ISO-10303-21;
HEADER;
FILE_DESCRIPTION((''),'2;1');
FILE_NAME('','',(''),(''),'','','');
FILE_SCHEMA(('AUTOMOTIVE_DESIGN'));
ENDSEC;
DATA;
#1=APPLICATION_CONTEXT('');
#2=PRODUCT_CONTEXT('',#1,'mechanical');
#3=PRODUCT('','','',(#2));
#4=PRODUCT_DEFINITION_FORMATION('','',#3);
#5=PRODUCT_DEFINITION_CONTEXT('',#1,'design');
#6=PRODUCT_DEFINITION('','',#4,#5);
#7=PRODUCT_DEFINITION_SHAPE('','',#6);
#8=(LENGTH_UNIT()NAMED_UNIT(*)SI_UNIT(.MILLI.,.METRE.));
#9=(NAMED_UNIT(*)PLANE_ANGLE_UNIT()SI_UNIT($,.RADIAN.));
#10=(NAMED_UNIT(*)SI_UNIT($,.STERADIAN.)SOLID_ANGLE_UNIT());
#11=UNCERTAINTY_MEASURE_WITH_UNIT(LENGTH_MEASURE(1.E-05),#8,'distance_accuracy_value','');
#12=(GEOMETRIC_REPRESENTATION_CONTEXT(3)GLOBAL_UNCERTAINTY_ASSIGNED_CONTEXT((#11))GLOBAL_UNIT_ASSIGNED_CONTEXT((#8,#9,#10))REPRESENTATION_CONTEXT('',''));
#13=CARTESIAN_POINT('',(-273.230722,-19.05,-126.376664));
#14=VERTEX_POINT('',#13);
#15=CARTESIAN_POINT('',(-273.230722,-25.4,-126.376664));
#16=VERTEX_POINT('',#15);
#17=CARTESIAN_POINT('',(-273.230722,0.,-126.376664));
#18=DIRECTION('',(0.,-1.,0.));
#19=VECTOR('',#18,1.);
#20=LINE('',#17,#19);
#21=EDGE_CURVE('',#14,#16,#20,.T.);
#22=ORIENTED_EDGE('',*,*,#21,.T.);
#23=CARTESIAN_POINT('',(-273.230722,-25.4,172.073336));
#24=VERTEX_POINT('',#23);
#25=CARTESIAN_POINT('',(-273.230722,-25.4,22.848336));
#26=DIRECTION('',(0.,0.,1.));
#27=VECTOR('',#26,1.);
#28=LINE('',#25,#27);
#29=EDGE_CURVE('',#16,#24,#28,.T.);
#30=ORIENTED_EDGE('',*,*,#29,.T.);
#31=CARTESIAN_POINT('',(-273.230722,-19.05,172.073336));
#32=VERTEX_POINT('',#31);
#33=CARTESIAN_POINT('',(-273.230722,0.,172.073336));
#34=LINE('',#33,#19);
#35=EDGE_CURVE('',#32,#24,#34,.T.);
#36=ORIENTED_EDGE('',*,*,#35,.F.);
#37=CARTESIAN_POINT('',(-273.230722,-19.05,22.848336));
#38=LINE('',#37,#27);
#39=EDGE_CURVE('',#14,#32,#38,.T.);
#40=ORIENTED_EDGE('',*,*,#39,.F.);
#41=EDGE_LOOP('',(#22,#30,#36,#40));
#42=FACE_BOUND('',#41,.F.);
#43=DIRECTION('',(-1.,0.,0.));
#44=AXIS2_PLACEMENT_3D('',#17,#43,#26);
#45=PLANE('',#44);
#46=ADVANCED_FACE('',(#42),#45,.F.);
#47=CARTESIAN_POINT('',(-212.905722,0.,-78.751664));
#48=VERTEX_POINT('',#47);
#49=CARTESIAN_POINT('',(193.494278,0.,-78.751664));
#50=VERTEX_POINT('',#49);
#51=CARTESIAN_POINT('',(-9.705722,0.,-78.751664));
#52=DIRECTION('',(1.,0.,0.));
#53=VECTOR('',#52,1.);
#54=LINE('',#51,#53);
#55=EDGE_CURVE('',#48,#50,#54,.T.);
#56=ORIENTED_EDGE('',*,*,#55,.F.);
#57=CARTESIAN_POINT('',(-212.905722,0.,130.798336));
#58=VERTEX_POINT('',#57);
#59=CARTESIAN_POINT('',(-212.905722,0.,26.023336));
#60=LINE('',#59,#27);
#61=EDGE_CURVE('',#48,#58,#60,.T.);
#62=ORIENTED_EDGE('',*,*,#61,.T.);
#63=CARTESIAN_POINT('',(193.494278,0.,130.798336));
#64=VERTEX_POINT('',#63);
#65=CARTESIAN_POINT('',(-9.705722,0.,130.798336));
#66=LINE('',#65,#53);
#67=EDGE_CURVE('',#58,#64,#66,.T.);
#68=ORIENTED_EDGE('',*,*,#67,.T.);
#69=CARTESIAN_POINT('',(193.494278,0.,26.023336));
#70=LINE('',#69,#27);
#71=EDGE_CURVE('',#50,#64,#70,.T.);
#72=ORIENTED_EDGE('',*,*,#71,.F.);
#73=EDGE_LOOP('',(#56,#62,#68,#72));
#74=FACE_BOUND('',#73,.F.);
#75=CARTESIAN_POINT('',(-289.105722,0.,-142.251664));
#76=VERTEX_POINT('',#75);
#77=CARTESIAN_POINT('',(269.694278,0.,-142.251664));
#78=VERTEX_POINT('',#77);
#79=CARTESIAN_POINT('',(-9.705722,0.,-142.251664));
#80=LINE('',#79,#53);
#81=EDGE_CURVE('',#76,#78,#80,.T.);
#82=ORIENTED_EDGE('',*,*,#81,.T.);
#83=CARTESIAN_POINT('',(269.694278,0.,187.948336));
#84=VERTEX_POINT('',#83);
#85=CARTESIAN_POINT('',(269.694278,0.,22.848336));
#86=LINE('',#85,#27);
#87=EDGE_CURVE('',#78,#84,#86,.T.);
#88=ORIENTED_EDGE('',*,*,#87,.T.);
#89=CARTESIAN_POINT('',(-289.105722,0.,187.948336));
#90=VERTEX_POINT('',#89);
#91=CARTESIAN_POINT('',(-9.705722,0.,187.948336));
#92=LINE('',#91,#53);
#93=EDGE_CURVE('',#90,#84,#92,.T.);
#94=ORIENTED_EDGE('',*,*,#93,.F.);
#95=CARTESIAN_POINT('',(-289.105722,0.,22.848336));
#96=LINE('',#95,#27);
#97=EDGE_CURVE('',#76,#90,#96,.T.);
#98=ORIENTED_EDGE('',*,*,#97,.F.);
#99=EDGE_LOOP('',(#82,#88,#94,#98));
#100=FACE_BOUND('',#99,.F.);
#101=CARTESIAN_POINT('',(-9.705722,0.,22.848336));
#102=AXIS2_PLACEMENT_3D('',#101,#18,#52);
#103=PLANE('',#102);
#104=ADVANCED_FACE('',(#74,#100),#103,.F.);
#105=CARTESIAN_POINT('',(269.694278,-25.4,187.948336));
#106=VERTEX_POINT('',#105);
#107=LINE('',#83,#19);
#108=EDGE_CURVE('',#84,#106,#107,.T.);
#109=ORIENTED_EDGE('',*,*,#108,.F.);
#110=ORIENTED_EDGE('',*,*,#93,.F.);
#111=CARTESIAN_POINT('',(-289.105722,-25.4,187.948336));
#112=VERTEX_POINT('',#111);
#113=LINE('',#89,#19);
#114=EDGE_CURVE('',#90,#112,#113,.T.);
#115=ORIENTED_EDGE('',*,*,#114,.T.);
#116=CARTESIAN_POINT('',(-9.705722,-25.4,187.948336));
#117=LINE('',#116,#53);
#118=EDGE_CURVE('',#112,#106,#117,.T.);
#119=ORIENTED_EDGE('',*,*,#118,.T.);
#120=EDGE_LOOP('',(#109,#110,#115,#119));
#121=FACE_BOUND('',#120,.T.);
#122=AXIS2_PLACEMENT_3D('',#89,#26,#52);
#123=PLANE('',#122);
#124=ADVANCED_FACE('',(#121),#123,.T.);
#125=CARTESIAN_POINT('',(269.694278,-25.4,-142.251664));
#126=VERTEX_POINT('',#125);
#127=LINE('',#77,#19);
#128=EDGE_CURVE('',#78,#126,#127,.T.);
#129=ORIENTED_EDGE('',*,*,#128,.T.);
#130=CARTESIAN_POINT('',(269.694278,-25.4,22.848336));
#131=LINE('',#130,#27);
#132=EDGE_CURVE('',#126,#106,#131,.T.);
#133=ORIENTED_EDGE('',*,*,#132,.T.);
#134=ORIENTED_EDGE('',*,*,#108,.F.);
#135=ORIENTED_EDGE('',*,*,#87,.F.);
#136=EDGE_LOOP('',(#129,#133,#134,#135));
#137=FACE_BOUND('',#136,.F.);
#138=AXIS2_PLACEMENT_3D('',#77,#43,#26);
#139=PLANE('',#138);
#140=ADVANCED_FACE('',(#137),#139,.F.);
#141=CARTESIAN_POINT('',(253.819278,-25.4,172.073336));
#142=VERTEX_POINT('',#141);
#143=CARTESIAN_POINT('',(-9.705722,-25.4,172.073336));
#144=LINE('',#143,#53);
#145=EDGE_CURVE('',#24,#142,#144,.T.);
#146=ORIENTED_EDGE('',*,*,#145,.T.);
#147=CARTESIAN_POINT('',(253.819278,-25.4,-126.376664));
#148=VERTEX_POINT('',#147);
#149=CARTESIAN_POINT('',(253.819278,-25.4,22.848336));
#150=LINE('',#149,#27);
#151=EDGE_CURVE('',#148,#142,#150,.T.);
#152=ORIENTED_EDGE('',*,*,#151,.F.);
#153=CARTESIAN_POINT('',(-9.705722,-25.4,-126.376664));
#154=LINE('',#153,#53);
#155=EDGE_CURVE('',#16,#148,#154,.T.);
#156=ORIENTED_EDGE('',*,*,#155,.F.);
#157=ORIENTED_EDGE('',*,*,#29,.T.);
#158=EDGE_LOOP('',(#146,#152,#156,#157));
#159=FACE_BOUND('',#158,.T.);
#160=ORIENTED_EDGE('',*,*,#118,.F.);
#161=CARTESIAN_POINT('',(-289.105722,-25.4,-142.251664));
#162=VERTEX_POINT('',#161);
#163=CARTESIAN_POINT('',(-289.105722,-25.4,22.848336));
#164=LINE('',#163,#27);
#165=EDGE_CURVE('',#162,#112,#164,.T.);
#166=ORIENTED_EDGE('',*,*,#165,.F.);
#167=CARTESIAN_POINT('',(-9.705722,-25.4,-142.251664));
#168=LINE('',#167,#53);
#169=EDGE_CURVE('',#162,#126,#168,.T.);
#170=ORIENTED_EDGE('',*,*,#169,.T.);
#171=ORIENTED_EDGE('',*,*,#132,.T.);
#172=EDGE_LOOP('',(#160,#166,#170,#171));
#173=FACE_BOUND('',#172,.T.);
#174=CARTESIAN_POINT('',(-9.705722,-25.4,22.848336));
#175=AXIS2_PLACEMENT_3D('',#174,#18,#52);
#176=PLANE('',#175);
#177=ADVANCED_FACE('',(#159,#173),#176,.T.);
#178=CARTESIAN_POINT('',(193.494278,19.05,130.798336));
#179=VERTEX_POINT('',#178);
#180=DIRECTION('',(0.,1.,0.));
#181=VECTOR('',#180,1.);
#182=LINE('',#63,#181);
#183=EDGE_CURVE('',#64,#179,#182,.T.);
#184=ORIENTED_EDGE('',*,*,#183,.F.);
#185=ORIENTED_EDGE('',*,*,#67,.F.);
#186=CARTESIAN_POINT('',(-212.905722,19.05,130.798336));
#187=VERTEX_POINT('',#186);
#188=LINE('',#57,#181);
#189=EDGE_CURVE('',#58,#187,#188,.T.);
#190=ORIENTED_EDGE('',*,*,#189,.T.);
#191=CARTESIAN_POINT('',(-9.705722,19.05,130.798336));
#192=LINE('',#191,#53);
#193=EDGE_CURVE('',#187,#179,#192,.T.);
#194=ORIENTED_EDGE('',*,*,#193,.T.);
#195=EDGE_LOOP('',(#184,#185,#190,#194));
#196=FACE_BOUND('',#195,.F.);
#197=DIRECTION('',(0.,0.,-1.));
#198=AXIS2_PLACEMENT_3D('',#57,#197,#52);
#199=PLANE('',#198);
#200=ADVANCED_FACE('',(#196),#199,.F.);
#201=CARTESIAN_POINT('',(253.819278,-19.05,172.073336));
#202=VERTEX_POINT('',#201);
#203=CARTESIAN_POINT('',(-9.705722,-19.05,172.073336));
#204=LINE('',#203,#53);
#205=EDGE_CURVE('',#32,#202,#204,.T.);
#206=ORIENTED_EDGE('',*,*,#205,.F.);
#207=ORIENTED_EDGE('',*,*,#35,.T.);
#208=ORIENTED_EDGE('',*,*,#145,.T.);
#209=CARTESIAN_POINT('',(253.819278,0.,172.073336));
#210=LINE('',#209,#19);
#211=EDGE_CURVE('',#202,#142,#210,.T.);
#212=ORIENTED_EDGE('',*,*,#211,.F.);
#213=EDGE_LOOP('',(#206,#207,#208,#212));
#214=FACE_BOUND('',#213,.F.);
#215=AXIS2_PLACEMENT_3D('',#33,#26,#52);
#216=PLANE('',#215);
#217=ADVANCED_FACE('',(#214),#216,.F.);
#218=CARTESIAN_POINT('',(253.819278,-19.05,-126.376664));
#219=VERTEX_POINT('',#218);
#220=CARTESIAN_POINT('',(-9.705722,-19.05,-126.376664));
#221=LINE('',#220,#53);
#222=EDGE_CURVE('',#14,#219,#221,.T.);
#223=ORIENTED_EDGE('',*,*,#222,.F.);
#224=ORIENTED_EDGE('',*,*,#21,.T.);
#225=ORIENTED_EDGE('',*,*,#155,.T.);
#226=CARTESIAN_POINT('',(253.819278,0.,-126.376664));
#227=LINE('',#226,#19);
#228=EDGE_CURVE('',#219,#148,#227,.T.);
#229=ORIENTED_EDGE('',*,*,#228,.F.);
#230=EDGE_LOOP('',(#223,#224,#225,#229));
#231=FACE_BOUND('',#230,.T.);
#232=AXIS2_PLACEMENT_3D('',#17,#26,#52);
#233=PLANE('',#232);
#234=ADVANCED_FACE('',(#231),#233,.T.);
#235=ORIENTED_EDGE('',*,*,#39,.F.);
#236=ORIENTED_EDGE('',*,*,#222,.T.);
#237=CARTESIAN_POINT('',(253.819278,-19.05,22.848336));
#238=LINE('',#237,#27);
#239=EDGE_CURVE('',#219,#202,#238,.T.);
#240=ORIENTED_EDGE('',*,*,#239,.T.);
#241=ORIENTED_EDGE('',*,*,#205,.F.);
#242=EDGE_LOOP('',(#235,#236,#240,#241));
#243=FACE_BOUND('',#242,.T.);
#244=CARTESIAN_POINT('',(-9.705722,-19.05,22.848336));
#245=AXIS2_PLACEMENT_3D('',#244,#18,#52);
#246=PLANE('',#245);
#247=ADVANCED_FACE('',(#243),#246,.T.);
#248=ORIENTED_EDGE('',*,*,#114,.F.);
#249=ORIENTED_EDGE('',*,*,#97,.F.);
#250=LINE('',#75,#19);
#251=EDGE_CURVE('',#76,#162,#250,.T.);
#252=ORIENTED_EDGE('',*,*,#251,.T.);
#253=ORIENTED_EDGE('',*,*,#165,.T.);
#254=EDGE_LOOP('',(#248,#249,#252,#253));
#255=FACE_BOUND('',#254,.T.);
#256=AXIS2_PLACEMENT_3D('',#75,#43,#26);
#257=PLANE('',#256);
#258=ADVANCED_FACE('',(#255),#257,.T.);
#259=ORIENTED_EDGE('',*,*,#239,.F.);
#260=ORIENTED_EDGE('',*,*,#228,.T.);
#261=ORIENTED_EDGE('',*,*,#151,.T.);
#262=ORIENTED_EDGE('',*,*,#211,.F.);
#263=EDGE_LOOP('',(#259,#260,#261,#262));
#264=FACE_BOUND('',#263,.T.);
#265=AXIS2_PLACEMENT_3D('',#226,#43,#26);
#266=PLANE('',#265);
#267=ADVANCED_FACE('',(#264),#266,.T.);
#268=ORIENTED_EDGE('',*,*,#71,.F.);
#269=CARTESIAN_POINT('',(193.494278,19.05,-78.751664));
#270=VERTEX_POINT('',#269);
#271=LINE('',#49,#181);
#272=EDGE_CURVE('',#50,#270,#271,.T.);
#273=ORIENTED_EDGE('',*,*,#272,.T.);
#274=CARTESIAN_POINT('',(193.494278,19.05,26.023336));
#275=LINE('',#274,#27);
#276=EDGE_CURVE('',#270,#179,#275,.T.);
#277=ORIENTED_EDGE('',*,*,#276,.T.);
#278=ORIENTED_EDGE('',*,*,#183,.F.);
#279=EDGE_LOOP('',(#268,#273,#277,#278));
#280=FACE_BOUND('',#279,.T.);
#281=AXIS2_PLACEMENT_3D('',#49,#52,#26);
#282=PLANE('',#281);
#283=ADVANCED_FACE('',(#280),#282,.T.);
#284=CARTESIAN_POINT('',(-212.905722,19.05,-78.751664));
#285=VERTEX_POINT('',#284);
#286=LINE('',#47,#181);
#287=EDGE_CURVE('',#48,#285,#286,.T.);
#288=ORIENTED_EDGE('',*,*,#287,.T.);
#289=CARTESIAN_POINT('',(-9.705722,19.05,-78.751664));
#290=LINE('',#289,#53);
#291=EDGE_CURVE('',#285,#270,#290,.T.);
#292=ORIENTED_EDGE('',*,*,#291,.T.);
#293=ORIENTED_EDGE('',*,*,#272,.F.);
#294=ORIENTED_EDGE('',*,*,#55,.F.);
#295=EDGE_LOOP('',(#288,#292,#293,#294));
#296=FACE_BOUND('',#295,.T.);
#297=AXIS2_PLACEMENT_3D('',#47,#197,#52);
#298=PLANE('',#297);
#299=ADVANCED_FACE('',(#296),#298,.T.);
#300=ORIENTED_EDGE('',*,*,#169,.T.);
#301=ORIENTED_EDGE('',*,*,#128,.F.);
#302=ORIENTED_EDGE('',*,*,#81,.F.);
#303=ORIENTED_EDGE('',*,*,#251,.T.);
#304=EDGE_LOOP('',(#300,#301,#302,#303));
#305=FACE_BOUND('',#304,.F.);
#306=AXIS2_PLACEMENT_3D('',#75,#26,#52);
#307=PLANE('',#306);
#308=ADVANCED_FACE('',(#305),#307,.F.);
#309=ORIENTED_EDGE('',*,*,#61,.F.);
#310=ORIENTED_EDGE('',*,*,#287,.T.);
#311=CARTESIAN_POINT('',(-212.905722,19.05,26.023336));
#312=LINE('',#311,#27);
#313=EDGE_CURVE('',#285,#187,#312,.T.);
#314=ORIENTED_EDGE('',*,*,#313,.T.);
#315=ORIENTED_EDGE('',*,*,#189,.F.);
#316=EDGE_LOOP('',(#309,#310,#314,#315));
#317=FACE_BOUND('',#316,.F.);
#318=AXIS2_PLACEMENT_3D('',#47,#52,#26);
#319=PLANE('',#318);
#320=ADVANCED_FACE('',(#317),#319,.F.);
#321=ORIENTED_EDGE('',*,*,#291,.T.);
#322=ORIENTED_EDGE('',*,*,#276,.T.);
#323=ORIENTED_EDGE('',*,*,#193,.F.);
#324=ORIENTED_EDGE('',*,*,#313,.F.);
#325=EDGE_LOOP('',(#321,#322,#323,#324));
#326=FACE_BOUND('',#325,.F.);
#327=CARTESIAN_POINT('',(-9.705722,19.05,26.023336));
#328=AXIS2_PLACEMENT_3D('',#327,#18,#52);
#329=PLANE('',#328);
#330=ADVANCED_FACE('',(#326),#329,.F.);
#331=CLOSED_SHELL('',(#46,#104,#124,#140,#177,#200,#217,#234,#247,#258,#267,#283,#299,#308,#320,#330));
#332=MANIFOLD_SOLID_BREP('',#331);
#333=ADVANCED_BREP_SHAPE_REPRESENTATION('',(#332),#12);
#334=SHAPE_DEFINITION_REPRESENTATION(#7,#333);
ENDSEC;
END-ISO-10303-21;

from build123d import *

# Parameters (mm, degrees)
F0_W     = 558.8
F0_H     = 330.2
F0_W_2   = 527.05
F0_H_2   = 298.45
F1_DEPTH = 25.4
F2_DEPTH = 19.05
F3_W     = 406.4
F3_H     = 209.55
F4_DEPTH = 19.05


with BuildPart() as f1:
    # F0 (on Front) → F1 (new body)
    with BuildSketch(Plane.XZ):
        with Locations((-9.705722, 22.848336)):
            Rectangle(F0_W, F0_H)
        with Locations((-9.705722, 22.848336)):
            Rectangle(F0_W_2, F0_H_2, mode=Mode.SUBTRACT)
    extrude(amount=F1_DEPTH)

    # F0 (on Front) → F2 (join)
    with BuildSketch(Plane.XZ):
        with Locations((-9.705722, 22.848336)):
            Rectangle(F0_W_2, F0_H_2)
    extrude(amount=F2_DEPTH)

    # F3 (on face) → F4 (join)
    with BuildSketch(Plane.XZ):
        with Locations((-9.705722, 26.023336)):
            Rectangle(F3_W, F3_H)
    extrude(amount=-F4_DEPTH)


solid = f1.part
